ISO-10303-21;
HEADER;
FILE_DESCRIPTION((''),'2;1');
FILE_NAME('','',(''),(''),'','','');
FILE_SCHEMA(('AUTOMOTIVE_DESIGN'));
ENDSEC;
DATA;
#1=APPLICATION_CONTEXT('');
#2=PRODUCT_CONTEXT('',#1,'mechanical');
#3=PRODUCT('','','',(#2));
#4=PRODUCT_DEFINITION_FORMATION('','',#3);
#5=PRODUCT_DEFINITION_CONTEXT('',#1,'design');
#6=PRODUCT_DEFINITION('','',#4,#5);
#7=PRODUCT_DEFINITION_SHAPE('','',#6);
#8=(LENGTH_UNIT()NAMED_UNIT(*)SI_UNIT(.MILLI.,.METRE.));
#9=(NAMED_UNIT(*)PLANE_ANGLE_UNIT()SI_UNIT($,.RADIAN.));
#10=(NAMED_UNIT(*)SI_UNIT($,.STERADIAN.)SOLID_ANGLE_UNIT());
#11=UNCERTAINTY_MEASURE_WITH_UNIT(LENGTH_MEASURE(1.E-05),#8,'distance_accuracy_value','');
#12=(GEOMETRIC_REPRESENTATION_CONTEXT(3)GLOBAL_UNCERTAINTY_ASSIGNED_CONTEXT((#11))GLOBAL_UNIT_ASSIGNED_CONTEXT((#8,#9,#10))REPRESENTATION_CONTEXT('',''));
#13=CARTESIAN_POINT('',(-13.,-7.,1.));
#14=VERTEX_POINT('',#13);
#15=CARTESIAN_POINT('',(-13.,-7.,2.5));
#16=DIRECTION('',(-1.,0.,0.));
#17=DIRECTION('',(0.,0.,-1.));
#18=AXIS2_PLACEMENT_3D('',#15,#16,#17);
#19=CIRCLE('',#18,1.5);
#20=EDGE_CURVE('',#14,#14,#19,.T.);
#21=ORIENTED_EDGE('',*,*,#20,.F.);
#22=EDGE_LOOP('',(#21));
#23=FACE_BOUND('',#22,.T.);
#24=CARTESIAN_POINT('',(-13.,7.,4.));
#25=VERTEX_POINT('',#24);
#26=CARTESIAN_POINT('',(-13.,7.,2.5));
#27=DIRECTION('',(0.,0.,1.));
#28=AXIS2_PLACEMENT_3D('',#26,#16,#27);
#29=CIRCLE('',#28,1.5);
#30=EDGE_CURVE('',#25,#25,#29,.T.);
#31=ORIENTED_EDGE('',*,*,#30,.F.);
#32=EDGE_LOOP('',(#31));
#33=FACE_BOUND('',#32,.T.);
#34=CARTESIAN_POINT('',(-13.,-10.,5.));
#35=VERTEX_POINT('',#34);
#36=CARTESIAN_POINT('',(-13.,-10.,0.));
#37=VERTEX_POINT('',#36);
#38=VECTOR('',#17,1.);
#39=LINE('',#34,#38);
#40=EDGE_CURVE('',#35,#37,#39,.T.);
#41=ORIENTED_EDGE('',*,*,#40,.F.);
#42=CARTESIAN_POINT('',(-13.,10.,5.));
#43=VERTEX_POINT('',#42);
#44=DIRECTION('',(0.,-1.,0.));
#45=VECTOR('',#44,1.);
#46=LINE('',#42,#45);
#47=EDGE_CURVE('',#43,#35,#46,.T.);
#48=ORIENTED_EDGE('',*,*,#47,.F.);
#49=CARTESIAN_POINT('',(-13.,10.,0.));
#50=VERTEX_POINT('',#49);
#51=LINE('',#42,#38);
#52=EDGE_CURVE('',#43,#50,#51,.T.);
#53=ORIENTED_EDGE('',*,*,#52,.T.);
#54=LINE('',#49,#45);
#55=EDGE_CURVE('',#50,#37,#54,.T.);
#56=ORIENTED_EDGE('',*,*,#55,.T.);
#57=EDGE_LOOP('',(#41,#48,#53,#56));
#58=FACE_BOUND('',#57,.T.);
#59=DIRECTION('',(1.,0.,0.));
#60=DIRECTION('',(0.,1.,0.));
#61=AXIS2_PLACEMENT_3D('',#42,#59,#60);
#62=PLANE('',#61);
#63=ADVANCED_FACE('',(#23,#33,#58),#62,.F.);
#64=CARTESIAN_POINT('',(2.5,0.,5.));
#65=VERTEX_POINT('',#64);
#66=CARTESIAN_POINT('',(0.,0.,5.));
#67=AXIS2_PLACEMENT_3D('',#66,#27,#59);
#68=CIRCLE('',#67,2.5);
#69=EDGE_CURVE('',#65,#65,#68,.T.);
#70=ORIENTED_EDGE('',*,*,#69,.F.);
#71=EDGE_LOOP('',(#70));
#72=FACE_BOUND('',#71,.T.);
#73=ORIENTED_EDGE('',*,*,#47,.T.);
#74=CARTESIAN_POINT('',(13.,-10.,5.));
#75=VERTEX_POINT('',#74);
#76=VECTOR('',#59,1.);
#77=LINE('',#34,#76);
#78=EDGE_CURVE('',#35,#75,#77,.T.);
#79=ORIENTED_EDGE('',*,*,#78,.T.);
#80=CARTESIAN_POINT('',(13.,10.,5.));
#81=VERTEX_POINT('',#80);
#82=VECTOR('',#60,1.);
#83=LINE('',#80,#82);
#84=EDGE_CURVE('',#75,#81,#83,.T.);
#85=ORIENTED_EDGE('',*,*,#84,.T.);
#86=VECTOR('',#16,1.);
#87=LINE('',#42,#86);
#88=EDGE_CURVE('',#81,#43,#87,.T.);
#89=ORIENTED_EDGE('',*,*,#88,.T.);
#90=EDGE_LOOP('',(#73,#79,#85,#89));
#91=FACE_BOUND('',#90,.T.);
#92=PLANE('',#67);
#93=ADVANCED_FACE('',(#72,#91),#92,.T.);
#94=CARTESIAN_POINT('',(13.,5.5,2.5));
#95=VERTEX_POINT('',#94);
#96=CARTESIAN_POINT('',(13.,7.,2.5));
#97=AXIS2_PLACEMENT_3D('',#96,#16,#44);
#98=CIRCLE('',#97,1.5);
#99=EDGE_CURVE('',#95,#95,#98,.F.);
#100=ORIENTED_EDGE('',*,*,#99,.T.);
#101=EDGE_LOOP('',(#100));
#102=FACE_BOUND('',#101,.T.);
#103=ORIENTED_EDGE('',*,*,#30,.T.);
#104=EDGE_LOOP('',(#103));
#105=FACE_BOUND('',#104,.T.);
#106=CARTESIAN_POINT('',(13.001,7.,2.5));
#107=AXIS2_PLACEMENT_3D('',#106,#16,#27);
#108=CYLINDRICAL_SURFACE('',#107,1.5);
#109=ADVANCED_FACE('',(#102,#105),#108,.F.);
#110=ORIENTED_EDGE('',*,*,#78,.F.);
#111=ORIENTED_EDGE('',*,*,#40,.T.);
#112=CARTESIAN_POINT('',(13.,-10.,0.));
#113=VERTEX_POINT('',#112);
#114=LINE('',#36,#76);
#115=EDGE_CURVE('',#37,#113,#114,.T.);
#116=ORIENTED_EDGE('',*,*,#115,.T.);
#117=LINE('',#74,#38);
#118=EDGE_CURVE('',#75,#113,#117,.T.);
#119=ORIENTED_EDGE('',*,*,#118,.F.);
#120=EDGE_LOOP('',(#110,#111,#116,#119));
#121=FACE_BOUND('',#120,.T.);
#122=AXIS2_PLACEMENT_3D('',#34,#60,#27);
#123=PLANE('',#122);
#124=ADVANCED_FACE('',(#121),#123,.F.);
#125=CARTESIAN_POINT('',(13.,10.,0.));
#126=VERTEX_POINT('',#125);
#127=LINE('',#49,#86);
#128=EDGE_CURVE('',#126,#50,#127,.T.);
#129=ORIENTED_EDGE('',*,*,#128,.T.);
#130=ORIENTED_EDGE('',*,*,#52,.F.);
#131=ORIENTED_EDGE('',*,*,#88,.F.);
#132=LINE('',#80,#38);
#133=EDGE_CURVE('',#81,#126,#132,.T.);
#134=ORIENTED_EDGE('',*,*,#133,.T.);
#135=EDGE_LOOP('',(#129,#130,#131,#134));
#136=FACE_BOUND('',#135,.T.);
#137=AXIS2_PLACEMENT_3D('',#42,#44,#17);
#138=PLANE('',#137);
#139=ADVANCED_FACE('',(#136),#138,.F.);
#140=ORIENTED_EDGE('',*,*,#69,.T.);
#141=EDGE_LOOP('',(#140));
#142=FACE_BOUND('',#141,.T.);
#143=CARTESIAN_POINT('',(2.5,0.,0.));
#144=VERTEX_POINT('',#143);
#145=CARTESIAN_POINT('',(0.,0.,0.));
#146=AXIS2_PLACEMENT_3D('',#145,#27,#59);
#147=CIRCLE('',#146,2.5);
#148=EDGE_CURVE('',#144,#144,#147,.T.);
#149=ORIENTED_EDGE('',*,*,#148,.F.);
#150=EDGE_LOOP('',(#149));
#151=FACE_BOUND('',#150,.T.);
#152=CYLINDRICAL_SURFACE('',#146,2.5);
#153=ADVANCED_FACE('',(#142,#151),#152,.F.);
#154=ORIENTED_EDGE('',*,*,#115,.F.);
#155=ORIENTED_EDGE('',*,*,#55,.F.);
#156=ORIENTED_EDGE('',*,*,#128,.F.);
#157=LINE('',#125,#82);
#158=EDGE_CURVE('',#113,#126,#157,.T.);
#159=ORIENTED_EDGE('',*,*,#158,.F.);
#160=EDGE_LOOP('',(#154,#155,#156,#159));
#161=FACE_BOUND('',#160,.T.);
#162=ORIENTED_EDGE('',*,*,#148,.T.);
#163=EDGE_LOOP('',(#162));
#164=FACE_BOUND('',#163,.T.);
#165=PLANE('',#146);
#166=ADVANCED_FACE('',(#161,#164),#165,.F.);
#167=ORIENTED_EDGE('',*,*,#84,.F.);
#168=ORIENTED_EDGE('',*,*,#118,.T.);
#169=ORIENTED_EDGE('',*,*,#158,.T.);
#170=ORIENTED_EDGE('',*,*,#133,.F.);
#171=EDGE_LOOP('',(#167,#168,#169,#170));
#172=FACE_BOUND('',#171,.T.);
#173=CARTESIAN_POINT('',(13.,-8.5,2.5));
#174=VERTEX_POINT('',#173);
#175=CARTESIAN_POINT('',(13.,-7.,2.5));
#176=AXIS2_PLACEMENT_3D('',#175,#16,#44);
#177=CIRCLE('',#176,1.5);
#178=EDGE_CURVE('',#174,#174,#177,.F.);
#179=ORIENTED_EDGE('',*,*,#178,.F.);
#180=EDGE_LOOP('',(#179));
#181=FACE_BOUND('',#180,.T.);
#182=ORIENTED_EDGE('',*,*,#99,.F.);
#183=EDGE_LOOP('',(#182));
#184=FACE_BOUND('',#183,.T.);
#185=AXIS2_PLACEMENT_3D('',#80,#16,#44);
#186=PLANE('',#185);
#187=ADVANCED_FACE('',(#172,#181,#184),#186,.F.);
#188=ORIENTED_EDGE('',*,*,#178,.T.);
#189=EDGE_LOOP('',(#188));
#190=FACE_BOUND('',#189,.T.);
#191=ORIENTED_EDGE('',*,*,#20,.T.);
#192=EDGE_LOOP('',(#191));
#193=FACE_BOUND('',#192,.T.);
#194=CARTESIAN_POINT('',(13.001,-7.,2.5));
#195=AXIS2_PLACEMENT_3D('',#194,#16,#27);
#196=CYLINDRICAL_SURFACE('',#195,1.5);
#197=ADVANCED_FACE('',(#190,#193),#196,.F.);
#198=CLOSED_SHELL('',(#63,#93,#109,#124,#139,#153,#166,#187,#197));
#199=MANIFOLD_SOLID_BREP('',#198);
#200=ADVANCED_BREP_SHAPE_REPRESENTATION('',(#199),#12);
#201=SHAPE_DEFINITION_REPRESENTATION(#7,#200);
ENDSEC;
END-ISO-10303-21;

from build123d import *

# Parameters (mm, degrees)
SKETCH1_W           = 26
SKETCH1_H           = 20
BOSS_EXTRUDE1_DEPTH = 5
SKETCH2_R           = 2.5
CUT_EXTRUDE1_DEPTH  = 5
CUT_EXTRUDE2_REACH  = 30.302
SKETCH3_R           = 1.5


with BuildPart() as part:
    # Sketch1 → Boss-Extrude1 (new body)
    with BuildSketch(Plane.XY):
        Rectangle(SKETCH1_W, SKETCH1_H)
    extrude(amount=BOSS_EXTRUDE1_DEPTH)

    # Sketch2 → Cut-Extrude1 (cut)
    with BuildSketch(Plane.XY.offset(5)):
        Circle(SKETCH2_R)
    extrude(amount=-CUT_EXTRUDE1_DEPTH, mode=Mode.SUBTRACT)

    # Sketch3 → Cut-Extrude2 (cut, up to next)
    with BuildSketch(Plane.ZY.offset(13), mode=Mode.PRIVATE) as cut_extrude2_sk1:
        with Locations((2.5, 7)):
            Circle(SKETCH3_R)
    cut_extrude2_tool1 = extrude(cut_extrude2_sk1.sketch, amount=-CUT_EXTRUDE2_REACH, mode=Mode.PRIVATE) & part.part
    # Sketch3 → Cut-Extrude2 (cut, up to next)
    with BuildSketch(Plane.ZY.offset(13), mode=Mode.PRIVATE) as cut_extrude2_sk2:
        with Locations(Location((2.5, -7, 0), (0, 0, 270))):
            Circle(SKETCH3_R)
    cut_extrude2_tool2 = extrude(cut_extrude2_sk2.sketch, amount=-CUT_EXTRUDE2_REACH, mode=Mode.PRIVATE) & part.part
    add(cut_extrude2_tool1.solids().sort_by_distance((-13, 7, 2.5))[0], mode=Mode.SUBTRACT)
    add(cut_extrude2_tool2.solids().sort_by_distance((-13, -7, 2.5))[0], mode=Mode.SUBTRACT)


solid = part.part
